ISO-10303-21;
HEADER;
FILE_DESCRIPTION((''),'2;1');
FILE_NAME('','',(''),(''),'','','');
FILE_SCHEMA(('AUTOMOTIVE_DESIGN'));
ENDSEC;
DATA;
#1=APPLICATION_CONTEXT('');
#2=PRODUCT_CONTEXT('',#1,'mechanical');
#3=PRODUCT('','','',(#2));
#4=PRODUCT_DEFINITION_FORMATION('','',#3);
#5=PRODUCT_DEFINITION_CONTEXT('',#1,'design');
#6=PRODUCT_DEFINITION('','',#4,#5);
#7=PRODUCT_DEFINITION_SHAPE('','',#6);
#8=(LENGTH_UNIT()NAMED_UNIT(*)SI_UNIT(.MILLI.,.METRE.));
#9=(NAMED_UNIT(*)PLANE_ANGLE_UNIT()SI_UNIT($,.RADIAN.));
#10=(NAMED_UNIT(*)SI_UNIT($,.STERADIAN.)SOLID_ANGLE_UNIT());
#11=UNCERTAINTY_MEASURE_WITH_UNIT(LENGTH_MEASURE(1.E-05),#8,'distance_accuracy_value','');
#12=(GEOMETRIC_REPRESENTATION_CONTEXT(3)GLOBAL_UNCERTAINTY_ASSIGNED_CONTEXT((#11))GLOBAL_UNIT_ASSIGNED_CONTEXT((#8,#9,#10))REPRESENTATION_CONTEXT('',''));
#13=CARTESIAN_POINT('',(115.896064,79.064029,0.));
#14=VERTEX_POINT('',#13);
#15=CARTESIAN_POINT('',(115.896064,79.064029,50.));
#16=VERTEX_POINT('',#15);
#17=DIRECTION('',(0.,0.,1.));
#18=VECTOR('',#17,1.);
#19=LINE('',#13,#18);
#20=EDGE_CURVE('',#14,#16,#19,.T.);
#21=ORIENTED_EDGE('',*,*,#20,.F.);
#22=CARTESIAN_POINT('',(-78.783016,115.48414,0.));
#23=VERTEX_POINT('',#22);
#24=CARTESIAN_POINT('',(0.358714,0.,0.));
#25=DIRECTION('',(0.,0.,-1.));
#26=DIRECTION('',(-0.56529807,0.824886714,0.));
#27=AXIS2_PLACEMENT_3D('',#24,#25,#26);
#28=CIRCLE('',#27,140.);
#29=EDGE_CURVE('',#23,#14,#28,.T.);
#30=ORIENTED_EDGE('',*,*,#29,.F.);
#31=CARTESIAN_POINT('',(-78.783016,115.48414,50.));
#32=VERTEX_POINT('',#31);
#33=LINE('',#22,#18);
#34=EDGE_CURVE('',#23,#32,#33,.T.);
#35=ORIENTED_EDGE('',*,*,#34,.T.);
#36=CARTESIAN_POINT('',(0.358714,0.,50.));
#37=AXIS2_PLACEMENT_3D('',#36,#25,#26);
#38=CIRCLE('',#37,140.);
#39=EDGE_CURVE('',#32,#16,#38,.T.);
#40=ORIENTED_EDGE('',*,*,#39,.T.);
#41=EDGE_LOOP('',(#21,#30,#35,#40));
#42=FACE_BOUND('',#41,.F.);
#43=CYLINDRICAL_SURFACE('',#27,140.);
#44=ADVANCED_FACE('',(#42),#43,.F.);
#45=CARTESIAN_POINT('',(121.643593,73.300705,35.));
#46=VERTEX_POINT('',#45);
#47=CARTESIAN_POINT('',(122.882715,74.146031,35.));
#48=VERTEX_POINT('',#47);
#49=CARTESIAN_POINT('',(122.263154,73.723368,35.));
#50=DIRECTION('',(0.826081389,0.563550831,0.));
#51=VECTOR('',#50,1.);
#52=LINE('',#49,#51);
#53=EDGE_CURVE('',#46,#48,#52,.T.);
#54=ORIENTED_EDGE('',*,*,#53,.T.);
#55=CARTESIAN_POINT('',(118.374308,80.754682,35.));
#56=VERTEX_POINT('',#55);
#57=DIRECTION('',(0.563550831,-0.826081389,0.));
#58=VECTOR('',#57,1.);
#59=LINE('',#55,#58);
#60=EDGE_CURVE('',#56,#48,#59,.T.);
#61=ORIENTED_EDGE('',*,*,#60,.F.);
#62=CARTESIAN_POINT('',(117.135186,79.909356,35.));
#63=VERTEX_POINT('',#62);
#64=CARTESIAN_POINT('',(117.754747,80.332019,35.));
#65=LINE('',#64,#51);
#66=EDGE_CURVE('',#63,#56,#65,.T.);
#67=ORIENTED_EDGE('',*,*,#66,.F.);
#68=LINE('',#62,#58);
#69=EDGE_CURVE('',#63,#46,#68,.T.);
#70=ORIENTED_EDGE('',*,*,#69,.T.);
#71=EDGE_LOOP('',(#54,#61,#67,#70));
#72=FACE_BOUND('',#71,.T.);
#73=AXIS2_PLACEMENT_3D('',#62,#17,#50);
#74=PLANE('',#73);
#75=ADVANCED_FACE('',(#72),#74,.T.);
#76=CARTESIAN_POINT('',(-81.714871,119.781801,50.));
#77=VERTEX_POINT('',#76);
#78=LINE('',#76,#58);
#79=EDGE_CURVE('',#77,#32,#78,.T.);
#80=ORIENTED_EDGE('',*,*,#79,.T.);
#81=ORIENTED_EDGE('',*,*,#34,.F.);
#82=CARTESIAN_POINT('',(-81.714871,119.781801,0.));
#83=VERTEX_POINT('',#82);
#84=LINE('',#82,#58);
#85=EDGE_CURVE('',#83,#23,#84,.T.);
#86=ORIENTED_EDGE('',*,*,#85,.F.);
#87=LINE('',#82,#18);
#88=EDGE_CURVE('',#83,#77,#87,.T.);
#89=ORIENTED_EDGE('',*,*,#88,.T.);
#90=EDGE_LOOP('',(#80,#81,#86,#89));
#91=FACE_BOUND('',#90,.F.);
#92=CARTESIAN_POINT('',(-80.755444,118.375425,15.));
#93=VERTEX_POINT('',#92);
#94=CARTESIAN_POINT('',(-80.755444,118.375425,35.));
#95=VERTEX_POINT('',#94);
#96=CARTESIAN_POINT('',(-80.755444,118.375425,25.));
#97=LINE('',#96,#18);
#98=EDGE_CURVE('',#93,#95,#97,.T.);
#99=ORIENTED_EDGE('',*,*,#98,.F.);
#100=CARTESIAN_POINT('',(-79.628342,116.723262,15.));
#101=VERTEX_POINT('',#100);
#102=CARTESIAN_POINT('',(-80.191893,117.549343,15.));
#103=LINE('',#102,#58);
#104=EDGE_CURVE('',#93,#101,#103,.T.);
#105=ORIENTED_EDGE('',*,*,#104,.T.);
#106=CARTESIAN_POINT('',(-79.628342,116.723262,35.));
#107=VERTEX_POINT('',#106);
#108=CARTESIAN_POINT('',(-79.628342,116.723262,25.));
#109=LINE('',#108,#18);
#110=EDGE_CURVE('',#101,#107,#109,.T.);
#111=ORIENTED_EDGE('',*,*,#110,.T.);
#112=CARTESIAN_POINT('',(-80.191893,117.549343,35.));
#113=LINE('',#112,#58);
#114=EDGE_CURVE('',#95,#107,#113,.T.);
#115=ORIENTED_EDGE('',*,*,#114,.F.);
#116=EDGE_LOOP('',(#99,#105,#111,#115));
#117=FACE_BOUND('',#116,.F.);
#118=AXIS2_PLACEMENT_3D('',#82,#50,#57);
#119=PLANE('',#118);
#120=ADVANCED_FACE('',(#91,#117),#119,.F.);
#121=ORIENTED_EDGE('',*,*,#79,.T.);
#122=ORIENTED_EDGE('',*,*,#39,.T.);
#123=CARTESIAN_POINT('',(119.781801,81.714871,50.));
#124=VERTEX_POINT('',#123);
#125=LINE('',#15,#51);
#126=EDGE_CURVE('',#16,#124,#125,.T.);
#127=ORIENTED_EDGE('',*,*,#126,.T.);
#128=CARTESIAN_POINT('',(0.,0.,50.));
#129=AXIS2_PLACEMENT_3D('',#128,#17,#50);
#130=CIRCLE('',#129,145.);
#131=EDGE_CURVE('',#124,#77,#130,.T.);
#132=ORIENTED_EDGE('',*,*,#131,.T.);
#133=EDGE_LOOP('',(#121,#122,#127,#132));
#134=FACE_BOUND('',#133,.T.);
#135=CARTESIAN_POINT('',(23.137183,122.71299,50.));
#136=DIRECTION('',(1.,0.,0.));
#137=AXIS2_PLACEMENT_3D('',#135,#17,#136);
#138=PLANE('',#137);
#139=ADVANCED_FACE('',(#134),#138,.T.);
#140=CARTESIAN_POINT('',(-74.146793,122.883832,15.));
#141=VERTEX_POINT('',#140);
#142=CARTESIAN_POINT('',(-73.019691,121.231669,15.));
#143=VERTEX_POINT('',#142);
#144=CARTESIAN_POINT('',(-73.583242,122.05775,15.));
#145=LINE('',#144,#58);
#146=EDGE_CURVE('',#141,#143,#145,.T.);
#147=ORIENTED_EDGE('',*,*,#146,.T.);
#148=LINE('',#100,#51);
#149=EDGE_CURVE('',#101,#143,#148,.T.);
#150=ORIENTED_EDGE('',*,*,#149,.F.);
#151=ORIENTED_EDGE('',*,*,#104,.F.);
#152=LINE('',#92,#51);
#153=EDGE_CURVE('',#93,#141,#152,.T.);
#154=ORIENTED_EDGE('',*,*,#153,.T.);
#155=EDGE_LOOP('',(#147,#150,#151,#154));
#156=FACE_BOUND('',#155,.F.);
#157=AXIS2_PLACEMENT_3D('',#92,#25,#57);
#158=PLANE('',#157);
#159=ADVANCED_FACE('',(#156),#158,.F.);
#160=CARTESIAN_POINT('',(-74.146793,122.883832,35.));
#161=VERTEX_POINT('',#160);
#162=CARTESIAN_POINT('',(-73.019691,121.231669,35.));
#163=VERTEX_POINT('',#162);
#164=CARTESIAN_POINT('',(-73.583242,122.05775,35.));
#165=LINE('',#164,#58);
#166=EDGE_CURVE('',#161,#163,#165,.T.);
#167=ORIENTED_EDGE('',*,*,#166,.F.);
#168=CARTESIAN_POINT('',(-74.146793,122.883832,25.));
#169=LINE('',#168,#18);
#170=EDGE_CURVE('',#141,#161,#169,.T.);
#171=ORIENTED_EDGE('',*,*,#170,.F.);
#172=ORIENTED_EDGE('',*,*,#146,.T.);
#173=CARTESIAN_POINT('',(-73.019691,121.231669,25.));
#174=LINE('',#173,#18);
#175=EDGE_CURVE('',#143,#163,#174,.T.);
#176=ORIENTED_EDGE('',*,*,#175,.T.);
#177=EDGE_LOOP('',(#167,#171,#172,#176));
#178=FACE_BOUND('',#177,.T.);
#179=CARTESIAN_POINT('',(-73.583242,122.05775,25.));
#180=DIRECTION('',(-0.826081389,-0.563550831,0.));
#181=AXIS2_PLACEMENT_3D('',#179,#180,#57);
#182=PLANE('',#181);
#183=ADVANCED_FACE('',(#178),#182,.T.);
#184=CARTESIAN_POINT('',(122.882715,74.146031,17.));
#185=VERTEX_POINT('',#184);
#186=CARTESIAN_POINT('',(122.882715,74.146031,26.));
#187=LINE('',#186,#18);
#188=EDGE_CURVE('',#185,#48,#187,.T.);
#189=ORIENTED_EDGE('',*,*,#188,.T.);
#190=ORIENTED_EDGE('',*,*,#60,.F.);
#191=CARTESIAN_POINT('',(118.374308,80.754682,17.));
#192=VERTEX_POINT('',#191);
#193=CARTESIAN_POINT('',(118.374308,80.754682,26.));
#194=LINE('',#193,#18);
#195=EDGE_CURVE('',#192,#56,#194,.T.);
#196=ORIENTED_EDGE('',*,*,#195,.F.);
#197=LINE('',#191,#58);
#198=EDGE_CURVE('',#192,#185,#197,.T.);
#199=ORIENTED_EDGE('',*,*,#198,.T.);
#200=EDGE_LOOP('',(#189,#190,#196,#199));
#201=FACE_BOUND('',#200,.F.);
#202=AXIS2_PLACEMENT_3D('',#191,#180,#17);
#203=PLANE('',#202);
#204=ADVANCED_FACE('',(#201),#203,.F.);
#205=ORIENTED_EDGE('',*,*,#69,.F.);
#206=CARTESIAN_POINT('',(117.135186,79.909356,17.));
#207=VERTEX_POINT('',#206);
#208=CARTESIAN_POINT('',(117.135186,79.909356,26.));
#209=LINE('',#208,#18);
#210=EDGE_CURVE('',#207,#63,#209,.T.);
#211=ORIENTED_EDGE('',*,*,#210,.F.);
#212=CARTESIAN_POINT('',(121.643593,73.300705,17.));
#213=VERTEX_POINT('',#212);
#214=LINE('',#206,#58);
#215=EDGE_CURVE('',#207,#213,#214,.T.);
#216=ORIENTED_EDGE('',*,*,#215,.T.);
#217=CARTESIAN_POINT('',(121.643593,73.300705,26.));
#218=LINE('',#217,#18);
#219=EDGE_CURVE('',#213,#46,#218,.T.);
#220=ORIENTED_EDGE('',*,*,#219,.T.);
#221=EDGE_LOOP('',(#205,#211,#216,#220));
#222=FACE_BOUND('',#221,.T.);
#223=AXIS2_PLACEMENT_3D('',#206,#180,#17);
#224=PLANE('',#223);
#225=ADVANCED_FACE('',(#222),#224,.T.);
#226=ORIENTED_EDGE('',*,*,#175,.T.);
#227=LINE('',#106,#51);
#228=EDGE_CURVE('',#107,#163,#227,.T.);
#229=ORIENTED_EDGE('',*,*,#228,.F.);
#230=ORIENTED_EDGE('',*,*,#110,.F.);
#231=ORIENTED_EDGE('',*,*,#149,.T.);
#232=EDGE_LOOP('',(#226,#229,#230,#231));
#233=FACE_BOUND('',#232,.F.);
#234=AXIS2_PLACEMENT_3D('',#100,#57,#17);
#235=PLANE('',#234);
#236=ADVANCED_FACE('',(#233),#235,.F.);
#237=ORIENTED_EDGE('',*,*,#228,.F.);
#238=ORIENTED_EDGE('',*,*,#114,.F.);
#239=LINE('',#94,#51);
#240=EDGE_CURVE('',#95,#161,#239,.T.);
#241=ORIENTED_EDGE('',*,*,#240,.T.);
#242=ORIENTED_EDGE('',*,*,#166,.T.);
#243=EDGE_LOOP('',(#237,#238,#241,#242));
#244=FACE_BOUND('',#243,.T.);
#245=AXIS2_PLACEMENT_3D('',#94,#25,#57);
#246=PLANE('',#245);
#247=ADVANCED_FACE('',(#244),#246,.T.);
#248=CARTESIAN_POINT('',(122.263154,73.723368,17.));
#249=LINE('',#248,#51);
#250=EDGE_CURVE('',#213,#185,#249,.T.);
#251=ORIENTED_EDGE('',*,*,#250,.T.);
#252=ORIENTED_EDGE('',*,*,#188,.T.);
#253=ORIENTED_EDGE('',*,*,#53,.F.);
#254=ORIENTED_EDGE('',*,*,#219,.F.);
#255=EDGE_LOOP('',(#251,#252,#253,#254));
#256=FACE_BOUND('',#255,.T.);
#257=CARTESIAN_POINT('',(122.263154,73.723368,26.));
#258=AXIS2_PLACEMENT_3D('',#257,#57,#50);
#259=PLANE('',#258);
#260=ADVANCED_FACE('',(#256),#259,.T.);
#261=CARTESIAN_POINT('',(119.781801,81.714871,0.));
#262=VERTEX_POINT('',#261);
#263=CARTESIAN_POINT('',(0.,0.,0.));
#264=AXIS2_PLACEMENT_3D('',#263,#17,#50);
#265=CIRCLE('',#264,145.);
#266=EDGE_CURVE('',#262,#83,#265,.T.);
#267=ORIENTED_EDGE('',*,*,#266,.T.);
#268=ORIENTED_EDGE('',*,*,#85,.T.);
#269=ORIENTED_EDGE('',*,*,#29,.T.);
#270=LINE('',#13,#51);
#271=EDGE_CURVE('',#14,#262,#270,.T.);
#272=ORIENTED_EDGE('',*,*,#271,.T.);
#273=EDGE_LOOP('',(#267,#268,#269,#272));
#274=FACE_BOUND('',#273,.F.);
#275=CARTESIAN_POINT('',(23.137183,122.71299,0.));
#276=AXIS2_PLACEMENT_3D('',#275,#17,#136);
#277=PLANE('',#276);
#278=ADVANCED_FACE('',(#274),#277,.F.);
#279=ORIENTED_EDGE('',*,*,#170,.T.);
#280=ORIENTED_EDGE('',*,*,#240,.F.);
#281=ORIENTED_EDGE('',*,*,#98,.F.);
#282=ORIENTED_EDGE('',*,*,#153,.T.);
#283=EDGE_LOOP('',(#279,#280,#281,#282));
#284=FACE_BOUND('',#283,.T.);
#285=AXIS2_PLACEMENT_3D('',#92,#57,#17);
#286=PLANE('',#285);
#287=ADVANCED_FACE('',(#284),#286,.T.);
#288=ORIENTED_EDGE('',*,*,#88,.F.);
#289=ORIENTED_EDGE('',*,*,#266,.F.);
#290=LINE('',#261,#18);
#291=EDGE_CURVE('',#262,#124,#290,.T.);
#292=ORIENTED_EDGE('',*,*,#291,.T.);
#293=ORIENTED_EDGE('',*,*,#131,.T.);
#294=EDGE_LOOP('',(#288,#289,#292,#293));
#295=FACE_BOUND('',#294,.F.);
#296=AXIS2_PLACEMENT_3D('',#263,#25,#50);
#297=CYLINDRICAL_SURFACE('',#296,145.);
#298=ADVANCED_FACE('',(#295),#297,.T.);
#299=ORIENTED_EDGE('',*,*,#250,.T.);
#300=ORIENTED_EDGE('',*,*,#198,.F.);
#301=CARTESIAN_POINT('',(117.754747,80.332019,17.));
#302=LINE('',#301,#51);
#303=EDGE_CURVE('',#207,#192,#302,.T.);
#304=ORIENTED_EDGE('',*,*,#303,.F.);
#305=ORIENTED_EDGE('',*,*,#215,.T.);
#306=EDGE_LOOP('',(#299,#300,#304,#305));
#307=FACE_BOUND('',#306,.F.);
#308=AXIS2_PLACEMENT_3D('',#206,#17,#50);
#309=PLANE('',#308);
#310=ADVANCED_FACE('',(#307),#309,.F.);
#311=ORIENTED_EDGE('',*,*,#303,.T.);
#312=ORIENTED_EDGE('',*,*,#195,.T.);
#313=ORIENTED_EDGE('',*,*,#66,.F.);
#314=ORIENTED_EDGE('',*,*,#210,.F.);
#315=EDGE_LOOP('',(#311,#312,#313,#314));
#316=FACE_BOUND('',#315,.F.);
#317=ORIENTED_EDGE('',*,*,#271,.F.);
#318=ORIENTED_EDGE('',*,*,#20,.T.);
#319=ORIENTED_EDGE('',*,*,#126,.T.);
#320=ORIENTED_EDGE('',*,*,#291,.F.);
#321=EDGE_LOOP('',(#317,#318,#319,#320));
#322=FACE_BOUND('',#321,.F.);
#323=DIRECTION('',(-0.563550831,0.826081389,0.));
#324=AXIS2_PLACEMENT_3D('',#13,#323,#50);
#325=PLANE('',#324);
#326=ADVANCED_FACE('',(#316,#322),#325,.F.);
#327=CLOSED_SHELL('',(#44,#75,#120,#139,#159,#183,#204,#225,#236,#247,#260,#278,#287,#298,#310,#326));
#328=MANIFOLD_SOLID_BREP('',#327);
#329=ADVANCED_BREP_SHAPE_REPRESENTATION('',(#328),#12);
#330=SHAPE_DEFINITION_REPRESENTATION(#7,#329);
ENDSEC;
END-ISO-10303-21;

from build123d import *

# Parameters (mm, degrees)
F1_DEPTH = 50
F3_W     = 1.5
F3_H     = 18
F4_DEPTH = 8
F6_W     = 2
F6_H     = 20
F7_DEPTH = 8


with BuildPart() as f1:
    # F0 (on Top) → F1 (new body)
    with BuildSketch(Plane.XY):
        with BuildLine():
            Line((115.8960640123, 79.0640294468), (119.7818013352, 81.7148705494))
            ThreePointArc((119.7818013352, 81.7148705494), (26.9173848976, 142.4796630761), (-81.7148705494, 119.7818013352))
            Line((-81.7148705494, 119.7818013352), (-78.783015845, 115.4841400235))
            ThreePointArc((-78.783015845, 115.4841400235), (26.1029639495, 137.6126214945), (115.8960640123, 79.0640294468))
        make_face()
    extrude(amount=F1_DEPTH)

    # F3 (on offset) → F4 (join)
    with BuildSketch(Plane(origin=(0, 0, 0), x_dir=(0.8260813885, 0.5635508314, 0), z_dir=(0.5635508314, -0.8260813885, 0))):
        with Locations((142.5461810097, 26)):
            Rectangle(F3_W, F3_H)
    extrude(amount=F4_DEPTH)

    # F6 (on offset) → F7 (cut)
    with BuildSketch(Plane(origin=(0, 0, 0), x_dir=(0.5635508314, -0.8260813885, 0), z_dir=(-0.8260813885, -0.5635508314, 0))):
        with Locations((-142.2975328202, 25)):
            Rectangle(F6_W, F6_H)
    extrude(amount=-F7_DEPTH, mode=Mode.SUBTRACT)


solid = f1.part
